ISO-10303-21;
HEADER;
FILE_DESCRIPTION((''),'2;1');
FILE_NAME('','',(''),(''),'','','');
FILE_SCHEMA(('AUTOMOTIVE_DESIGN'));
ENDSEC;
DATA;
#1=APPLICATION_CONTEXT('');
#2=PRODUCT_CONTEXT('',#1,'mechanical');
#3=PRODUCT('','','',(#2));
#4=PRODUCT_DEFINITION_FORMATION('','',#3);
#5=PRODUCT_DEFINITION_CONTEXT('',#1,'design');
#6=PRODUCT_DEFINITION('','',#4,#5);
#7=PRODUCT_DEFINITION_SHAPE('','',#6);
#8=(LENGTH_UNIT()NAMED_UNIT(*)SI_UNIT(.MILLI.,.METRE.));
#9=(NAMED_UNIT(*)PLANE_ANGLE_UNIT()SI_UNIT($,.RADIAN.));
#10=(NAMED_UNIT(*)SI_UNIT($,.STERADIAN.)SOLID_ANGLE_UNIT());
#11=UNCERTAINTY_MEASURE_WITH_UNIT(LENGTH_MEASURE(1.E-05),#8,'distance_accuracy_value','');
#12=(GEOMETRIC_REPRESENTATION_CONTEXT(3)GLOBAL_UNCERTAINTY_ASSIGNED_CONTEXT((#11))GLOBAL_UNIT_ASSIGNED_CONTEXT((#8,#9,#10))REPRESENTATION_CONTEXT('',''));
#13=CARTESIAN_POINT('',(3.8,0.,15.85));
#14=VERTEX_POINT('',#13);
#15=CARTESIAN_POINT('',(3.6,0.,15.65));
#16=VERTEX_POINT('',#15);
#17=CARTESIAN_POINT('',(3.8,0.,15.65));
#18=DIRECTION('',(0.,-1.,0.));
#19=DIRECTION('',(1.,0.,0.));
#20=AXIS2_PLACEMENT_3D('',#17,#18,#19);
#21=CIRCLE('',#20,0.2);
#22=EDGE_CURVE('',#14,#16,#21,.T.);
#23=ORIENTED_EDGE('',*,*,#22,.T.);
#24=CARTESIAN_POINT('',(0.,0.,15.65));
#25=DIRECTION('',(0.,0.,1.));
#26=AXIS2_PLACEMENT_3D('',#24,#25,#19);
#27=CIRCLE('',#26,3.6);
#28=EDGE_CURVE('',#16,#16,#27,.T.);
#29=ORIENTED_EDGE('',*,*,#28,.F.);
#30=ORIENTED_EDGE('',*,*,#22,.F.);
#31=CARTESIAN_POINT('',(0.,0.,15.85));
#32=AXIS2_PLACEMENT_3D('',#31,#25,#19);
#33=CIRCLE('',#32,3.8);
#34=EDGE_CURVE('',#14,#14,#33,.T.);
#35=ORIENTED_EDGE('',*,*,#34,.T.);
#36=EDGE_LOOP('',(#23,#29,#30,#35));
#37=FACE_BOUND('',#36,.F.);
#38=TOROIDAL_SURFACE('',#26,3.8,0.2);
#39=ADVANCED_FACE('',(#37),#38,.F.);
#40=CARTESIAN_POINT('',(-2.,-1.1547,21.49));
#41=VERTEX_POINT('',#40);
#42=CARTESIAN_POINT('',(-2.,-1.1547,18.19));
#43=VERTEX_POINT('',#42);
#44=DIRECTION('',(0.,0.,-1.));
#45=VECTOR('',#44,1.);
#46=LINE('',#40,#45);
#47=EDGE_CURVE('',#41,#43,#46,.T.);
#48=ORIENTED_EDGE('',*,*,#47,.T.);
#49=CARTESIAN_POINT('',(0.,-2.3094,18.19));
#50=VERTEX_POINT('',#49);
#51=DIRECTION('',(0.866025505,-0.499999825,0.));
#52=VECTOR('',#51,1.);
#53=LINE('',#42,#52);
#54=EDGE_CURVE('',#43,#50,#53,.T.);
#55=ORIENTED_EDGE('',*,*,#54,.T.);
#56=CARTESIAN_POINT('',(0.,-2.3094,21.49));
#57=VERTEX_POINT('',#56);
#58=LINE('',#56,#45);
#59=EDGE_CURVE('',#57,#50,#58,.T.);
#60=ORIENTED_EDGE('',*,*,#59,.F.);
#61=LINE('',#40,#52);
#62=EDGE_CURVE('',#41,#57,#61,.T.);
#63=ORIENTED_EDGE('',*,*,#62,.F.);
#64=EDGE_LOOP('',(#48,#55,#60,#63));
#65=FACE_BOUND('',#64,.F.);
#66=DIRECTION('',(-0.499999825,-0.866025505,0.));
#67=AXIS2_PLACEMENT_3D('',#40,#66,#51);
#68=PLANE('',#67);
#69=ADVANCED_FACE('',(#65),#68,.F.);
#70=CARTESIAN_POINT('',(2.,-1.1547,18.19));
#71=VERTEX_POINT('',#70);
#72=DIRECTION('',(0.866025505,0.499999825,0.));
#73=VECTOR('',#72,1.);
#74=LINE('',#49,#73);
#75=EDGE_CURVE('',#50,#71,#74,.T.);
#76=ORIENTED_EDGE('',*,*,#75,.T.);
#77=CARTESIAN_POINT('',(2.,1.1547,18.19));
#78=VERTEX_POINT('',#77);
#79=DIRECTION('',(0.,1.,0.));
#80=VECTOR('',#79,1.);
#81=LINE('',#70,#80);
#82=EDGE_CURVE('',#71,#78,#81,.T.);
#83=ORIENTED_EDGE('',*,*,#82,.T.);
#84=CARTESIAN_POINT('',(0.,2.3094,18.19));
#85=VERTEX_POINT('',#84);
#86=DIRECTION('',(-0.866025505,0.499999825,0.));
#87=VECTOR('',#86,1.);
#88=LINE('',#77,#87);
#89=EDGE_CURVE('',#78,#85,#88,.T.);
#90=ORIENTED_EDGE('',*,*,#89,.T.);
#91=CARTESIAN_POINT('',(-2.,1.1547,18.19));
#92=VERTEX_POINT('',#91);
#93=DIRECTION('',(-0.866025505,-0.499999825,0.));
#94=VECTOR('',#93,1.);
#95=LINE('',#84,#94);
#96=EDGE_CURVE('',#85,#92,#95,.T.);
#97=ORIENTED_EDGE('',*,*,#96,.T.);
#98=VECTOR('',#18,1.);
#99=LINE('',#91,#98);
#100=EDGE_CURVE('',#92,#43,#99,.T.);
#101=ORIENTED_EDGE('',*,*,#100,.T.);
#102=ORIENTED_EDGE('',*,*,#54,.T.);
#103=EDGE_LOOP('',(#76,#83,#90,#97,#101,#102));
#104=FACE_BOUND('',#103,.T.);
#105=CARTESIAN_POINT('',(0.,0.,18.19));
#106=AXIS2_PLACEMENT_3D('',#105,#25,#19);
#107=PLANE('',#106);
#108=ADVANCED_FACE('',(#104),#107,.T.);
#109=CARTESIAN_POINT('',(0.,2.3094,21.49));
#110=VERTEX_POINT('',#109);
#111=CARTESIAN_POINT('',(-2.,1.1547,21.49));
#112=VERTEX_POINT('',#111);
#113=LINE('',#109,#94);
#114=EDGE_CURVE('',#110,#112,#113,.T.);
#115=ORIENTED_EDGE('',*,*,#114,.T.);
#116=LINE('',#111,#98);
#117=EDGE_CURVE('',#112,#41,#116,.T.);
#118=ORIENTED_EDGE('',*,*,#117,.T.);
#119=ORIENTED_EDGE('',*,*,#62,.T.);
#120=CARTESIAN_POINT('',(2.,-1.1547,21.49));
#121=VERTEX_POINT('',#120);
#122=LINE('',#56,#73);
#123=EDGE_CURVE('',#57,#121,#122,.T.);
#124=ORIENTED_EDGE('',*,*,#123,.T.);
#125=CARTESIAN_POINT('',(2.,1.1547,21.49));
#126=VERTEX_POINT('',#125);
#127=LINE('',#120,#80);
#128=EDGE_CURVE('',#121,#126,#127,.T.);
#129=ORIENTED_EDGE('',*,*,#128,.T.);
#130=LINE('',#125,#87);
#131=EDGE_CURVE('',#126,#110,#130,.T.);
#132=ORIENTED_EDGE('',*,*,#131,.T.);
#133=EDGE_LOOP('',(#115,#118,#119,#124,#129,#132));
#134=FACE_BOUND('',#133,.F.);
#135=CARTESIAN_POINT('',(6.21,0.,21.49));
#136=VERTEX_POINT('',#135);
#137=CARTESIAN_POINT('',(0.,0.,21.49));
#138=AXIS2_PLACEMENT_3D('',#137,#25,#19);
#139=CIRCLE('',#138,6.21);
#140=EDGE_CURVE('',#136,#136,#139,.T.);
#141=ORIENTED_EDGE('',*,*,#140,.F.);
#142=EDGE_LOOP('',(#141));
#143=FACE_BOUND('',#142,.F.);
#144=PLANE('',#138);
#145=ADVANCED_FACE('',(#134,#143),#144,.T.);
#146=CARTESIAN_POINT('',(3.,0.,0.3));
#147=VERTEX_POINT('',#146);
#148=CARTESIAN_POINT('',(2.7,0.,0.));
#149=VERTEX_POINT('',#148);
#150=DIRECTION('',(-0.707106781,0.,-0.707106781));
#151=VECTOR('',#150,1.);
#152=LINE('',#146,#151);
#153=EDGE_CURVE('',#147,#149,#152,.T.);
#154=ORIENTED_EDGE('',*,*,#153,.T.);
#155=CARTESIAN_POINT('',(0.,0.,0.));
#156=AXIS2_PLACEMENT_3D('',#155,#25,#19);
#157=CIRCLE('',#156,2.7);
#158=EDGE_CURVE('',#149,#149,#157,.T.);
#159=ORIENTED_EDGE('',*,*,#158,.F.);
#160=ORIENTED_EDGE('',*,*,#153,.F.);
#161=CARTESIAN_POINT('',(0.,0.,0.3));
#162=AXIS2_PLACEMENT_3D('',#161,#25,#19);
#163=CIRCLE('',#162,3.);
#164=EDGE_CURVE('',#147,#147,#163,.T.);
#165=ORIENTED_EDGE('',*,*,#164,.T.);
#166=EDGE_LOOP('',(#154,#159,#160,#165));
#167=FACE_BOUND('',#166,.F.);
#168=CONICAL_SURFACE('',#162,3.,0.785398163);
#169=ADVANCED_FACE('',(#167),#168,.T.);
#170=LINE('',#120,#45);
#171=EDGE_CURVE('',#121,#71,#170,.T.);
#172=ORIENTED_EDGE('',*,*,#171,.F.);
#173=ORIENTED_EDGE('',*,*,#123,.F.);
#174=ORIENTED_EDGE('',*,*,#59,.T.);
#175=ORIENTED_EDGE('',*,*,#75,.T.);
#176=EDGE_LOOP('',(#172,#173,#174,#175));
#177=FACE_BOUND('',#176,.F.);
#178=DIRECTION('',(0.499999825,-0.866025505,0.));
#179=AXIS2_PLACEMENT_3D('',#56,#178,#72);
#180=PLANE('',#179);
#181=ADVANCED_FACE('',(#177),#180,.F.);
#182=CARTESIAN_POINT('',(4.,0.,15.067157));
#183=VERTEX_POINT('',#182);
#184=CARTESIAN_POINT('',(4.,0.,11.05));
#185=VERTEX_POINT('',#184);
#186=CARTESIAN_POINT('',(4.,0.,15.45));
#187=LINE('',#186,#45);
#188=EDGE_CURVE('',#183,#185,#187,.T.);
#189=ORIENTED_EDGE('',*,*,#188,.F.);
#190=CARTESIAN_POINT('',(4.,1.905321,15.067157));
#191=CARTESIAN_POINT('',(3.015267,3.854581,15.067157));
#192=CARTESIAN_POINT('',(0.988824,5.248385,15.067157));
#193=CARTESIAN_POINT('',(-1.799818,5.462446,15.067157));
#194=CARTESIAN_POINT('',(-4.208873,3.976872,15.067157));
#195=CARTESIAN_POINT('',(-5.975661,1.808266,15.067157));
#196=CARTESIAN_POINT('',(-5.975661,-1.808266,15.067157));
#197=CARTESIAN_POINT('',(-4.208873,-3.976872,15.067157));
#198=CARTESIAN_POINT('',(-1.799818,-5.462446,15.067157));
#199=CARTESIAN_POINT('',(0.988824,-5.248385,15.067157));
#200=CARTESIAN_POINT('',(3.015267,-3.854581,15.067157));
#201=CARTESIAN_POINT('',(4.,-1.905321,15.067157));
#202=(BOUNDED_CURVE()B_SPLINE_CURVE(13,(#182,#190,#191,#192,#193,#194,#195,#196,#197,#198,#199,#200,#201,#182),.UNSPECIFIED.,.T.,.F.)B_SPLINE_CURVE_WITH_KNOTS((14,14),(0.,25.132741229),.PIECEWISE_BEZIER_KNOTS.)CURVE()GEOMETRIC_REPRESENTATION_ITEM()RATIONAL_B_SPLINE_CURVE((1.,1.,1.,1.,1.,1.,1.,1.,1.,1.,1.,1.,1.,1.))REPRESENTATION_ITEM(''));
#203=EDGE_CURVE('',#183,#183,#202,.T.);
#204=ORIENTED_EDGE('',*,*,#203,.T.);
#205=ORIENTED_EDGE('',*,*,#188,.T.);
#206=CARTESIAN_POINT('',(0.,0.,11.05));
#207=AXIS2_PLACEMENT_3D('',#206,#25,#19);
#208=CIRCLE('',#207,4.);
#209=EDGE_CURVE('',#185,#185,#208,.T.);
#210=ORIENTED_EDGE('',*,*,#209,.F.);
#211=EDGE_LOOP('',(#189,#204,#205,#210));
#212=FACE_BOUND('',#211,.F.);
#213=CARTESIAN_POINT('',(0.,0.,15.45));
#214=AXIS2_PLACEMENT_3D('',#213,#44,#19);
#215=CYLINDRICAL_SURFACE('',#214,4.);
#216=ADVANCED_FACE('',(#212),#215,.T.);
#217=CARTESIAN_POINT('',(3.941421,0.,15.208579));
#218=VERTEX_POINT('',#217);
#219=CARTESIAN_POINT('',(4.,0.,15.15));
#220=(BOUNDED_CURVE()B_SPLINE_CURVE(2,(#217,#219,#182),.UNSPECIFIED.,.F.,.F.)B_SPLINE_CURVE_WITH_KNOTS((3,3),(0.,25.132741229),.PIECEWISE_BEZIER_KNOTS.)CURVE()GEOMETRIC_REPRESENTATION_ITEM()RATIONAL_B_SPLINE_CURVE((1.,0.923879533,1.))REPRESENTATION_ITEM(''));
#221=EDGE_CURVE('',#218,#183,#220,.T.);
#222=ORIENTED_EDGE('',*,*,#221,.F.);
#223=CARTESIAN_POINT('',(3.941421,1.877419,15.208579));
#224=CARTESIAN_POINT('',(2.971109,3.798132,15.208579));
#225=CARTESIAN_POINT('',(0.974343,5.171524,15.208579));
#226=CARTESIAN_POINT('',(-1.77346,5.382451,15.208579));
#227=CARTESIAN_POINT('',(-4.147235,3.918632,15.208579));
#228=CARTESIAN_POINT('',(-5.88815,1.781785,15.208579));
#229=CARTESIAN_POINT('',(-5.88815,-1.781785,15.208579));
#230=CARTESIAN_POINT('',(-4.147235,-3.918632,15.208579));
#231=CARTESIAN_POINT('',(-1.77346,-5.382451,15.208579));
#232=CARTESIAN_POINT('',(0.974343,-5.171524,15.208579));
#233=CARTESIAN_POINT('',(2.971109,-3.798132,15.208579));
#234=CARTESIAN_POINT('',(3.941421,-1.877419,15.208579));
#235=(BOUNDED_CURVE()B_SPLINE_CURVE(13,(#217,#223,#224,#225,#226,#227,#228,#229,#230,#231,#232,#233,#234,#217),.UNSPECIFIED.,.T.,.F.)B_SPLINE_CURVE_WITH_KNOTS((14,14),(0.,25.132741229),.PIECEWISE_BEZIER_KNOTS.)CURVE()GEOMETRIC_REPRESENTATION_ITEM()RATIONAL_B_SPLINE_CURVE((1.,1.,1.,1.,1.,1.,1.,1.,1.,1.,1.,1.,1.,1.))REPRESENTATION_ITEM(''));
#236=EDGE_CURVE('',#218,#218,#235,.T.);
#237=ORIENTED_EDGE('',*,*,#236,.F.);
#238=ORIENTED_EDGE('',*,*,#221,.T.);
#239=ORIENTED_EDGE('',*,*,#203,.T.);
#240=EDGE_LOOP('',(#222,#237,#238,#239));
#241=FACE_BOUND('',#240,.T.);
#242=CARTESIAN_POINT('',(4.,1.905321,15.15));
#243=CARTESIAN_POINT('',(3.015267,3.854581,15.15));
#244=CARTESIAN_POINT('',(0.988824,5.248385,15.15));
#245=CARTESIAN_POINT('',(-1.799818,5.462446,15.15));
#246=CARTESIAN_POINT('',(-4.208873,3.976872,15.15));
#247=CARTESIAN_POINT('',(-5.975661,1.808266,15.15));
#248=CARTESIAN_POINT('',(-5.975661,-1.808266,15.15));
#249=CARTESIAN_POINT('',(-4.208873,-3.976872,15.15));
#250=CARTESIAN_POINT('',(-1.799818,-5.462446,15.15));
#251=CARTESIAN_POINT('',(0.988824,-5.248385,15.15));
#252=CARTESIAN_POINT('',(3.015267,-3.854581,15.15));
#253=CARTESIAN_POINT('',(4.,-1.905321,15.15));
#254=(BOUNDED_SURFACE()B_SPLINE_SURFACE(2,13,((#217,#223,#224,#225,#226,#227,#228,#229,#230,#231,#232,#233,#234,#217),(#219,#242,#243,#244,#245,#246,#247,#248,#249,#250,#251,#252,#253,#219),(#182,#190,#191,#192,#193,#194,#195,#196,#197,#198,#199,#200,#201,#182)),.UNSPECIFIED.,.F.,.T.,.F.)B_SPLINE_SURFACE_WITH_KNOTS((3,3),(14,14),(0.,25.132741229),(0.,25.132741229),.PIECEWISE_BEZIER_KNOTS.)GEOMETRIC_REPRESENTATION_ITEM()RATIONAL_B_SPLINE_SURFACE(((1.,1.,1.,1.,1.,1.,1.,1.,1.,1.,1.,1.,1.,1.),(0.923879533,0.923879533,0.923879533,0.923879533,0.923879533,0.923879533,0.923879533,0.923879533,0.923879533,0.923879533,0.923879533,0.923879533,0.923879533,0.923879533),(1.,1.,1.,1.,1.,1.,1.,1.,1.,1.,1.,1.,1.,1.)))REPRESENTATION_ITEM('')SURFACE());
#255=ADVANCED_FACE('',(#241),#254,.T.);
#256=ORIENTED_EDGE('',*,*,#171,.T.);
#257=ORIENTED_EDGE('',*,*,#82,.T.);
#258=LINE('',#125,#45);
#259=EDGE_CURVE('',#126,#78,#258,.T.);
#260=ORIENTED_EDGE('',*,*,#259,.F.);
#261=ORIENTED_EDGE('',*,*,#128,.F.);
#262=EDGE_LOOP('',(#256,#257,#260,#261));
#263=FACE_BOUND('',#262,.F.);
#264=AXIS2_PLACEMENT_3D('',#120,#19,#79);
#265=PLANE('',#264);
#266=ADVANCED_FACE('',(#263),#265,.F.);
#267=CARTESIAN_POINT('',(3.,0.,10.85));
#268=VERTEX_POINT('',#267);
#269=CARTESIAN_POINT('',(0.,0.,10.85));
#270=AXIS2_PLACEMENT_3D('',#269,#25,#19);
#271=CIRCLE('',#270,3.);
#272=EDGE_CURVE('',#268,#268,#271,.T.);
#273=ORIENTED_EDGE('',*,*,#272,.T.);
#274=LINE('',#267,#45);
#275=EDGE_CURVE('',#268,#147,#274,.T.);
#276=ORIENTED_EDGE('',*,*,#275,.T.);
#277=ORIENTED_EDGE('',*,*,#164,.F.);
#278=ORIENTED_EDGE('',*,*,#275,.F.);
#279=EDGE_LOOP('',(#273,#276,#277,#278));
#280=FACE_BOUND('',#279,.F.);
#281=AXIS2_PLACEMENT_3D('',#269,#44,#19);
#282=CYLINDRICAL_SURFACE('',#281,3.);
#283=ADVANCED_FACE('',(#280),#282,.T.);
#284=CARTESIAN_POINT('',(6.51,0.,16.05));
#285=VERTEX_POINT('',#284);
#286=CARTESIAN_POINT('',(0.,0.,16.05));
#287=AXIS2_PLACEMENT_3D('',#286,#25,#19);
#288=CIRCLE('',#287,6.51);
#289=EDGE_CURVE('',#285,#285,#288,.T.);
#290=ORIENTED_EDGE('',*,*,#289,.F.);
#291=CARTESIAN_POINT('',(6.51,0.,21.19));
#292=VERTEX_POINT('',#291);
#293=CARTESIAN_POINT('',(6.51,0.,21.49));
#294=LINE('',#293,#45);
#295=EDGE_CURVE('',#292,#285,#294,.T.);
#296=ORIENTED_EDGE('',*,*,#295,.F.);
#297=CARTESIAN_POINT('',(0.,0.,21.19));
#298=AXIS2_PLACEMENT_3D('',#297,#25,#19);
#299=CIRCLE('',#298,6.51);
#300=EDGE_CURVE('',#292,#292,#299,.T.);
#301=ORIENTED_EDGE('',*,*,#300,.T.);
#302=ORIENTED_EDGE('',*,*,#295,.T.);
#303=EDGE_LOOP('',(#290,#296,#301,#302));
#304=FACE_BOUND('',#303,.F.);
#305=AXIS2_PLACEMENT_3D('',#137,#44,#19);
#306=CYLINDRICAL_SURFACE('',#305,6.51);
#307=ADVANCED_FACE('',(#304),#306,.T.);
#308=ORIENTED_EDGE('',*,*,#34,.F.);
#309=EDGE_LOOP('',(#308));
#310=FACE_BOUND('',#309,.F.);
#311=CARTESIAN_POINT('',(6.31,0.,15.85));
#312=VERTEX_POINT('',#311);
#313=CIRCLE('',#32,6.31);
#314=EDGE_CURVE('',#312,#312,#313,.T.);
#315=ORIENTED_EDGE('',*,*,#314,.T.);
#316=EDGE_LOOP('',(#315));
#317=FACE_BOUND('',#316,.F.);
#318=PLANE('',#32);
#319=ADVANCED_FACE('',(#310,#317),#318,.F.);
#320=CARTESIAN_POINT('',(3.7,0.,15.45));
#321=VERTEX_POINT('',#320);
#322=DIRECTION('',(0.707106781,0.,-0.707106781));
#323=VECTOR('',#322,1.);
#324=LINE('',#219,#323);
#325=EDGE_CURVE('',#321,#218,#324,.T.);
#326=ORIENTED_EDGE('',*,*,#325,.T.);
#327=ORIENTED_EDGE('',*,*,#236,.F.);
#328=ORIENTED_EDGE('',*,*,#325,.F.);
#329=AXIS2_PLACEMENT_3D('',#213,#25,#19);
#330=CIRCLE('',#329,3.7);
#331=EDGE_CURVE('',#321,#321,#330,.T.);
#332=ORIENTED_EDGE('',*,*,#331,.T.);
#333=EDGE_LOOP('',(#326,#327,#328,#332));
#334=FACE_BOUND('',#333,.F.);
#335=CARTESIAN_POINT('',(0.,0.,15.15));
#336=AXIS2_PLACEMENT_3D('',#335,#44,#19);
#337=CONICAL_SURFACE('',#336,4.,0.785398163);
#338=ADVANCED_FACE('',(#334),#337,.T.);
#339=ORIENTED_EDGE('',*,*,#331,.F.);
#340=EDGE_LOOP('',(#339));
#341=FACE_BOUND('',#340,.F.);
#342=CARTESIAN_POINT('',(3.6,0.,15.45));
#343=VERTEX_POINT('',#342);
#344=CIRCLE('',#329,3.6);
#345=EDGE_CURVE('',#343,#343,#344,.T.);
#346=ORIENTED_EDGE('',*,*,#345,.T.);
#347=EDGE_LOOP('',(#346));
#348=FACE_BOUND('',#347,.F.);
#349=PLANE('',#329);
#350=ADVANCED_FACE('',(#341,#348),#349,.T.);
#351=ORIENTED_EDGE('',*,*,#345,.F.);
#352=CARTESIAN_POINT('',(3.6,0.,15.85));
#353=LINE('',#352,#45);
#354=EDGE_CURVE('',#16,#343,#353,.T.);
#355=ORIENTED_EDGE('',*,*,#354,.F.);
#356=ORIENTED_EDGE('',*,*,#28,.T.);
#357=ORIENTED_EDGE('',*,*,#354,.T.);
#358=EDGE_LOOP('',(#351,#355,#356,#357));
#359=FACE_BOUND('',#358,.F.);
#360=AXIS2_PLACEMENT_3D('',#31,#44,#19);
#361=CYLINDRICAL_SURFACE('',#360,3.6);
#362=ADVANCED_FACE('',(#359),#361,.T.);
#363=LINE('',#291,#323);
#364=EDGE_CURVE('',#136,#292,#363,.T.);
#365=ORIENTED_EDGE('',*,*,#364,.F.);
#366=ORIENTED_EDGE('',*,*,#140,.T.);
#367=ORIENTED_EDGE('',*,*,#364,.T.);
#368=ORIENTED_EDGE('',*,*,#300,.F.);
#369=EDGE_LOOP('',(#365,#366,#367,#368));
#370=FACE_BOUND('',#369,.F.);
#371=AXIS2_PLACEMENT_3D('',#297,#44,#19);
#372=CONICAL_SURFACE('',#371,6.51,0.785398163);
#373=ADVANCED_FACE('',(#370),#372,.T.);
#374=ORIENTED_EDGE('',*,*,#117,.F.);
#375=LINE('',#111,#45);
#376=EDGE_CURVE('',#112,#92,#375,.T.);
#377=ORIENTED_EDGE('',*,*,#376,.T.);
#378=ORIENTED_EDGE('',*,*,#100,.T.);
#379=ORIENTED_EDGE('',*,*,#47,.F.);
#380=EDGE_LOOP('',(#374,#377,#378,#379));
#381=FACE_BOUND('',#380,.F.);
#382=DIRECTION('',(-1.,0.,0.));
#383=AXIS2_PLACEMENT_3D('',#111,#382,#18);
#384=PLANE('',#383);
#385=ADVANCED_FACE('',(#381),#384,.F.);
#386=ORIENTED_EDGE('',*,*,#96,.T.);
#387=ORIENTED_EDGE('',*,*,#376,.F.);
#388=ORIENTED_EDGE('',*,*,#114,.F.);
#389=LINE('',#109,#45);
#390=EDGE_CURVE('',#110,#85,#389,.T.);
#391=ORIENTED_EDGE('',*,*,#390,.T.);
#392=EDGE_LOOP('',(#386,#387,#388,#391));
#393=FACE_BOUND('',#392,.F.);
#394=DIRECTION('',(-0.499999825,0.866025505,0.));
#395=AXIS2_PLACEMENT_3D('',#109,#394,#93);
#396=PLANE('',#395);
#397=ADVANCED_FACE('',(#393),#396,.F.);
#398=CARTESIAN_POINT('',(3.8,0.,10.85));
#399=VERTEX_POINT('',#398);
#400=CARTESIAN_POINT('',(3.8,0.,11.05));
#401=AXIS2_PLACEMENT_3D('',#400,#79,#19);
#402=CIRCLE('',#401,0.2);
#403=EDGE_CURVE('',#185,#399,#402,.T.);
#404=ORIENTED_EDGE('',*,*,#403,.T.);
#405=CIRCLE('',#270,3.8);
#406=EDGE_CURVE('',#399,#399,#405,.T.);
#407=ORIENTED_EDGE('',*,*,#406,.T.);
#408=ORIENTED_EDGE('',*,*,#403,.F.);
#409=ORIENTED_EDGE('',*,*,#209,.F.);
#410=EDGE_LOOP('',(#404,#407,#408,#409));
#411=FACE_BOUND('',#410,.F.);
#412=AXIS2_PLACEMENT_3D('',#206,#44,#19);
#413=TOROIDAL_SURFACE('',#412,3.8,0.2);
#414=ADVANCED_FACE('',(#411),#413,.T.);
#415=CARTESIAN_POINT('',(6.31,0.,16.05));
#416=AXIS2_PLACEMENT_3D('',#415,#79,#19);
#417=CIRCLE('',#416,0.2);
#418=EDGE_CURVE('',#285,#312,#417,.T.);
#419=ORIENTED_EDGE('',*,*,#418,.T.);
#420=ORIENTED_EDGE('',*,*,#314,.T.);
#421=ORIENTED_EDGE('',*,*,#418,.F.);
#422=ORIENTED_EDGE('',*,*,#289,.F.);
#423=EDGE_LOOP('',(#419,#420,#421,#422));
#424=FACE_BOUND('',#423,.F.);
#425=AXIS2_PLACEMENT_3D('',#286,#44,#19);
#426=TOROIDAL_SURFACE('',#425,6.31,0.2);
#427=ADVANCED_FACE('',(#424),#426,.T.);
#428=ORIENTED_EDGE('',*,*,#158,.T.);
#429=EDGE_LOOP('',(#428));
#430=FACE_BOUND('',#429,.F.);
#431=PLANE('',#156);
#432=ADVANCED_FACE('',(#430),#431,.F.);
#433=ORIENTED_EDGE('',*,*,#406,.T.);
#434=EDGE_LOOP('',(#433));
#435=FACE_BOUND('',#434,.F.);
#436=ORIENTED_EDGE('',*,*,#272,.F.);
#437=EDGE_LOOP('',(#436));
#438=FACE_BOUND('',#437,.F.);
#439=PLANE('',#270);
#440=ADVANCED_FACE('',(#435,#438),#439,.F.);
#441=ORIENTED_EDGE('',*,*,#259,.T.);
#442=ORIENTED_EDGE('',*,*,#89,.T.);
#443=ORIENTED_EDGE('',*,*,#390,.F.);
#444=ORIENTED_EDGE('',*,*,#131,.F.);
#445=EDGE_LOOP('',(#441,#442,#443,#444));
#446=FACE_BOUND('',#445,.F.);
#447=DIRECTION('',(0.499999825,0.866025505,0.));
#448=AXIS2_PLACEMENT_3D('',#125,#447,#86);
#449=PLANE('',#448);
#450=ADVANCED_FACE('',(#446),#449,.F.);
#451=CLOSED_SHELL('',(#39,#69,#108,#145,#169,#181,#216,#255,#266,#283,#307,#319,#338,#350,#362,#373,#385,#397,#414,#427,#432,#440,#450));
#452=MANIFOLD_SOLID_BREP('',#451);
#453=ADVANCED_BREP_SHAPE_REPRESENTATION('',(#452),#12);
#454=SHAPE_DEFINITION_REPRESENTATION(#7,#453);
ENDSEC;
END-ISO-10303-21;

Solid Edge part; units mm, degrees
sketch "Sketch1" plane through (0, 0, 0) normal (0, -1, 0) x (1, 0, 0)
  line L0 (0, 21.49) -> (6.51, 21.49)
  line L1 (6.51, 21.49) -> (6.51, 15.85)
  line L2 (6.51, 15.85) -> (3.6, 15.85)
  line L3 (3.6, 15.85) -> (3.6, 15.45)
  line L4 (3.6, 15.45) -> (4, 15.45)
  line L5 (4, 15.45) -> (4, 10.85)
  line L6 (4, 10.85) -> (3, 10.85)
  line L7 (3, 10.85) -> (3, 0)
  line L8 (3, 0) -> (0, 0)
  dimension "D1" = 6.51
  dimension "D2" = 5.64
  dimension "D3" = 5
  dimension "D4" = 0.4
  dimension "D5" = 10.85
  dimension "D6" = 4
  dimension "D7" = 3
revolve "RevolvedProtrusion1" add sketch "Sketch1" angle 360 about axis through (0, 0, 0) along (0, 0, 1)
chamfer "Chamfer1" distance 0.3 angle 45 3 edges at (-4, 0, 15.45) (-6.51, 0, 21.49) (-3, 0, 0)
fillet "Round_1" radius 0.2 4 edges at (-6.51, 0, 15.85) (-3.6, 0, 15.85) (-4, 0, 10.85) (-4, 0, 15.15)
sketch "Sketch2" plane through (0, 0, 21.49) normal (0, 0, 1) x (1, 0, 0)
  line L0 (2, 1.1547) -> (0, 2.3094)
  line L1 (0, 2.3094) -> (-2, 1.1547)
  line L2 (-2, 1.1547) -> (-2, -1.1547)
  line L3 (-2, -1.1547) -> (0, -2.3094)
  line L4 (0, -2.3094) -> (2, -1.1547)
  line L5 (2, -1.1547) -> (2, 1.1547)
  dimension "D1" = 4
extrude "ExtrudedCutout_1" cut sketch "Sketch2" against normal blind 3.3
